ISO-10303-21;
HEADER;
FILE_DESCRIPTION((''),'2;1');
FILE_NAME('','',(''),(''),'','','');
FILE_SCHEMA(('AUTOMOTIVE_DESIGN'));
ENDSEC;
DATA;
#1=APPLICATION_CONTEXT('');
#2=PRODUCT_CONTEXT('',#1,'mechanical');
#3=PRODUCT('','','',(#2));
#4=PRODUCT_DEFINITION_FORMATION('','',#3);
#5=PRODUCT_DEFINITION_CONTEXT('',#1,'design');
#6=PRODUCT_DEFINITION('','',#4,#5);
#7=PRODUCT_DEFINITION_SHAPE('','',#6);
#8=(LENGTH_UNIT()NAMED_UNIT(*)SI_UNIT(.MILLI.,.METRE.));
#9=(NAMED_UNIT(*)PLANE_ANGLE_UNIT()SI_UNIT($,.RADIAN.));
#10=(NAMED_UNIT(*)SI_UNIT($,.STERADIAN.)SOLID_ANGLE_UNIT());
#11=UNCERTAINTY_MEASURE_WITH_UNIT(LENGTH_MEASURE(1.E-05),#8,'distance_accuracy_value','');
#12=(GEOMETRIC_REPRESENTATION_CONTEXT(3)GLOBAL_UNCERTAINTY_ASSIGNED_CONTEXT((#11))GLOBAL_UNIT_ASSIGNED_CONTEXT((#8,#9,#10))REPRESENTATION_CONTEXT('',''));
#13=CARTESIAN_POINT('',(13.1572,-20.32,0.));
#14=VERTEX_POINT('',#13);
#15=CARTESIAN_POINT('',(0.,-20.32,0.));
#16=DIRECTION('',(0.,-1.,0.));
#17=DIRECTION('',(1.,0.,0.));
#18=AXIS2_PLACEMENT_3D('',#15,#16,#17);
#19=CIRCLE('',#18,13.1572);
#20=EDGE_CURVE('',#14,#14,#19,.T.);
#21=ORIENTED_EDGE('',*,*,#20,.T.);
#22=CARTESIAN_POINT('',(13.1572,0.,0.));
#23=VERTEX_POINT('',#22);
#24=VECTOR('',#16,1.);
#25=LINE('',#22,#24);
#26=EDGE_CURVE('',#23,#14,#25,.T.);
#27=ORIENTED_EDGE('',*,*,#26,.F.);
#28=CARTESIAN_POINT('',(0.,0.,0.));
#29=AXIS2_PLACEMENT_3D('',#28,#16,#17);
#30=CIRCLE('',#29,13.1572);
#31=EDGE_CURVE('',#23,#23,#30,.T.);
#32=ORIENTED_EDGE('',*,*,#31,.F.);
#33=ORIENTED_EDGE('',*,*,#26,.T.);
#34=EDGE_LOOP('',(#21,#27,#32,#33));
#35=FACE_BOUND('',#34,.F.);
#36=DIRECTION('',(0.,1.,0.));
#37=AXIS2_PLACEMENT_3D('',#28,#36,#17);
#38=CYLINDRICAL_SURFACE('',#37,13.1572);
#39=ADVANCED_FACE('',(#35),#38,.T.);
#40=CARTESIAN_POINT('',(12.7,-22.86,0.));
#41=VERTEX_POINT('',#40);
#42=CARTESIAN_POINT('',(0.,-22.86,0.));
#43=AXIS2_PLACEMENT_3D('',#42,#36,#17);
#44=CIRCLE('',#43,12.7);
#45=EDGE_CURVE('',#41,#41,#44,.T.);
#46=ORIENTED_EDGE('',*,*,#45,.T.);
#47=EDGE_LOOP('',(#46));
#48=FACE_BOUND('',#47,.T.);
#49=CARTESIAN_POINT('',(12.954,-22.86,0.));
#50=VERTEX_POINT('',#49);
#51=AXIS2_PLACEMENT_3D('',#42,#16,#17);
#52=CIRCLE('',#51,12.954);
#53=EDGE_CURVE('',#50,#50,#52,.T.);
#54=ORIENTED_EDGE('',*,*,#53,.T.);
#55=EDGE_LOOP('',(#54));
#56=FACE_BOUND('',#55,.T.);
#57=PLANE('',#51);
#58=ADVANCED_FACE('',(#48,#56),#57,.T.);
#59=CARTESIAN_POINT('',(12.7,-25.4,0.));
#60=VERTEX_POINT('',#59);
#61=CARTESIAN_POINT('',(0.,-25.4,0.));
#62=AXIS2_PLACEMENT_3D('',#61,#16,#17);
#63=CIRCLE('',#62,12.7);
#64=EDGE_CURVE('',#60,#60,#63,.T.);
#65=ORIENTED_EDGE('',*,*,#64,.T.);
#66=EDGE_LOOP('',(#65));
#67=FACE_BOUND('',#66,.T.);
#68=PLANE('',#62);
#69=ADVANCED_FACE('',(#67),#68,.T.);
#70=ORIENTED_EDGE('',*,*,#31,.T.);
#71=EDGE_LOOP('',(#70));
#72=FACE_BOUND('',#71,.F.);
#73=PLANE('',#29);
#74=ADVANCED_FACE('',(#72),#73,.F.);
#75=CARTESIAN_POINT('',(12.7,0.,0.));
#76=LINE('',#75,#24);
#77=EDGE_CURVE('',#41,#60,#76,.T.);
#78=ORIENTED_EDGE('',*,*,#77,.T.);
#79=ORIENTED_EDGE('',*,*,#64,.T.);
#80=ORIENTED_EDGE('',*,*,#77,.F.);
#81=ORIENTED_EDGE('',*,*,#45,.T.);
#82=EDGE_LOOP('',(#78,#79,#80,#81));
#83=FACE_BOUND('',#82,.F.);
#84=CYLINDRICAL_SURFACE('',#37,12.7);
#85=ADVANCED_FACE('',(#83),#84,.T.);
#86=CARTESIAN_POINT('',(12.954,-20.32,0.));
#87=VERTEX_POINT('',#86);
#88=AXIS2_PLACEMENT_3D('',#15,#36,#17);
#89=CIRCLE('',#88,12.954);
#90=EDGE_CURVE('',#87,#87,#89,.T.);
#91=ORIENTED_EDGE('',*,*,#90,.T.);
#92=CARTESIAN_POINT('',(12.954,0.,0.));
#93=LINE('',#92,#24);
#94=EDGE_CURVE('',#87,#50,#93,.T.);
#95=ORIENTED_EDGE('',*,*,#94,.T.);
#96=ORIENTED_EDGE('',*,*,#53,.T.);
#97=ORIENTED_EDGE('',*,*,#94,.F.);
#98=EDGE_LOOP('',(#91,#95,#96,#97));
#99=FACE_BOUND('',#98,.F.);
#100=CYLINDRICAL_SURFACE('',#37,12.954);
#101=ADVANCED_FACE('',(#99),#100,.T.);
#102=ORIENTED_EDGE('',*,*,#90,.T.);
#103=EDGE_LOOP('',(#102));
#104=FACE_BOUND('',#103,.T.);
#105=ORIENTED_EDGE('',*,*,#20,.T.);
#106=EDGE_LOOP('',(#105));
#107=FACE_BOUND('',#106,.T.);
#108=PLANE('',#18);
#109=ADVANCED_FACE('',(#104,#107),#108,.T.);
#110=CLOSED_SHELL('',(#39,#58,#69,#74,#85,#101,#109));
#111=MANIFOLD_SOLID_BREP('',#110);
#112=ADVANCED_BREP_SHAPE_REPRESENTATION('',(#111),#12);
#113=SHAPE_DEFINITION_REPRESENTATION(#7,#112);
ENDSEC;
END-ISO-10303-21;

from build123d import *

# Parameters (mm, degrees)
F0_R     = 12.7
F1_DEPTH = 25.4
F2_R     = 12.954
F3_DEPTH = 22.86
F4_R     = 13.1572
F5_DEPTH = 20.32


with BuildPart() as f1:
    # F0 (on Front) → F1 (new body)
    with BuildSketch(Plane.XZ):
        Circle(F0_R)
    extrude(amount=F1_DEPTH)

    # F2 (on Front) → F3 (join)
    with BuildSketch(Plane.XZ):
        Circle(F2_R)
    extrude(amount=F3_DEPTH)

    # F4 (on Front) → F5 (join)
    with BuildSketch(Plane.XZ):
        Circle(F4_R)
    extrude(amount=F5_DEPTH)


solid = f1.part
